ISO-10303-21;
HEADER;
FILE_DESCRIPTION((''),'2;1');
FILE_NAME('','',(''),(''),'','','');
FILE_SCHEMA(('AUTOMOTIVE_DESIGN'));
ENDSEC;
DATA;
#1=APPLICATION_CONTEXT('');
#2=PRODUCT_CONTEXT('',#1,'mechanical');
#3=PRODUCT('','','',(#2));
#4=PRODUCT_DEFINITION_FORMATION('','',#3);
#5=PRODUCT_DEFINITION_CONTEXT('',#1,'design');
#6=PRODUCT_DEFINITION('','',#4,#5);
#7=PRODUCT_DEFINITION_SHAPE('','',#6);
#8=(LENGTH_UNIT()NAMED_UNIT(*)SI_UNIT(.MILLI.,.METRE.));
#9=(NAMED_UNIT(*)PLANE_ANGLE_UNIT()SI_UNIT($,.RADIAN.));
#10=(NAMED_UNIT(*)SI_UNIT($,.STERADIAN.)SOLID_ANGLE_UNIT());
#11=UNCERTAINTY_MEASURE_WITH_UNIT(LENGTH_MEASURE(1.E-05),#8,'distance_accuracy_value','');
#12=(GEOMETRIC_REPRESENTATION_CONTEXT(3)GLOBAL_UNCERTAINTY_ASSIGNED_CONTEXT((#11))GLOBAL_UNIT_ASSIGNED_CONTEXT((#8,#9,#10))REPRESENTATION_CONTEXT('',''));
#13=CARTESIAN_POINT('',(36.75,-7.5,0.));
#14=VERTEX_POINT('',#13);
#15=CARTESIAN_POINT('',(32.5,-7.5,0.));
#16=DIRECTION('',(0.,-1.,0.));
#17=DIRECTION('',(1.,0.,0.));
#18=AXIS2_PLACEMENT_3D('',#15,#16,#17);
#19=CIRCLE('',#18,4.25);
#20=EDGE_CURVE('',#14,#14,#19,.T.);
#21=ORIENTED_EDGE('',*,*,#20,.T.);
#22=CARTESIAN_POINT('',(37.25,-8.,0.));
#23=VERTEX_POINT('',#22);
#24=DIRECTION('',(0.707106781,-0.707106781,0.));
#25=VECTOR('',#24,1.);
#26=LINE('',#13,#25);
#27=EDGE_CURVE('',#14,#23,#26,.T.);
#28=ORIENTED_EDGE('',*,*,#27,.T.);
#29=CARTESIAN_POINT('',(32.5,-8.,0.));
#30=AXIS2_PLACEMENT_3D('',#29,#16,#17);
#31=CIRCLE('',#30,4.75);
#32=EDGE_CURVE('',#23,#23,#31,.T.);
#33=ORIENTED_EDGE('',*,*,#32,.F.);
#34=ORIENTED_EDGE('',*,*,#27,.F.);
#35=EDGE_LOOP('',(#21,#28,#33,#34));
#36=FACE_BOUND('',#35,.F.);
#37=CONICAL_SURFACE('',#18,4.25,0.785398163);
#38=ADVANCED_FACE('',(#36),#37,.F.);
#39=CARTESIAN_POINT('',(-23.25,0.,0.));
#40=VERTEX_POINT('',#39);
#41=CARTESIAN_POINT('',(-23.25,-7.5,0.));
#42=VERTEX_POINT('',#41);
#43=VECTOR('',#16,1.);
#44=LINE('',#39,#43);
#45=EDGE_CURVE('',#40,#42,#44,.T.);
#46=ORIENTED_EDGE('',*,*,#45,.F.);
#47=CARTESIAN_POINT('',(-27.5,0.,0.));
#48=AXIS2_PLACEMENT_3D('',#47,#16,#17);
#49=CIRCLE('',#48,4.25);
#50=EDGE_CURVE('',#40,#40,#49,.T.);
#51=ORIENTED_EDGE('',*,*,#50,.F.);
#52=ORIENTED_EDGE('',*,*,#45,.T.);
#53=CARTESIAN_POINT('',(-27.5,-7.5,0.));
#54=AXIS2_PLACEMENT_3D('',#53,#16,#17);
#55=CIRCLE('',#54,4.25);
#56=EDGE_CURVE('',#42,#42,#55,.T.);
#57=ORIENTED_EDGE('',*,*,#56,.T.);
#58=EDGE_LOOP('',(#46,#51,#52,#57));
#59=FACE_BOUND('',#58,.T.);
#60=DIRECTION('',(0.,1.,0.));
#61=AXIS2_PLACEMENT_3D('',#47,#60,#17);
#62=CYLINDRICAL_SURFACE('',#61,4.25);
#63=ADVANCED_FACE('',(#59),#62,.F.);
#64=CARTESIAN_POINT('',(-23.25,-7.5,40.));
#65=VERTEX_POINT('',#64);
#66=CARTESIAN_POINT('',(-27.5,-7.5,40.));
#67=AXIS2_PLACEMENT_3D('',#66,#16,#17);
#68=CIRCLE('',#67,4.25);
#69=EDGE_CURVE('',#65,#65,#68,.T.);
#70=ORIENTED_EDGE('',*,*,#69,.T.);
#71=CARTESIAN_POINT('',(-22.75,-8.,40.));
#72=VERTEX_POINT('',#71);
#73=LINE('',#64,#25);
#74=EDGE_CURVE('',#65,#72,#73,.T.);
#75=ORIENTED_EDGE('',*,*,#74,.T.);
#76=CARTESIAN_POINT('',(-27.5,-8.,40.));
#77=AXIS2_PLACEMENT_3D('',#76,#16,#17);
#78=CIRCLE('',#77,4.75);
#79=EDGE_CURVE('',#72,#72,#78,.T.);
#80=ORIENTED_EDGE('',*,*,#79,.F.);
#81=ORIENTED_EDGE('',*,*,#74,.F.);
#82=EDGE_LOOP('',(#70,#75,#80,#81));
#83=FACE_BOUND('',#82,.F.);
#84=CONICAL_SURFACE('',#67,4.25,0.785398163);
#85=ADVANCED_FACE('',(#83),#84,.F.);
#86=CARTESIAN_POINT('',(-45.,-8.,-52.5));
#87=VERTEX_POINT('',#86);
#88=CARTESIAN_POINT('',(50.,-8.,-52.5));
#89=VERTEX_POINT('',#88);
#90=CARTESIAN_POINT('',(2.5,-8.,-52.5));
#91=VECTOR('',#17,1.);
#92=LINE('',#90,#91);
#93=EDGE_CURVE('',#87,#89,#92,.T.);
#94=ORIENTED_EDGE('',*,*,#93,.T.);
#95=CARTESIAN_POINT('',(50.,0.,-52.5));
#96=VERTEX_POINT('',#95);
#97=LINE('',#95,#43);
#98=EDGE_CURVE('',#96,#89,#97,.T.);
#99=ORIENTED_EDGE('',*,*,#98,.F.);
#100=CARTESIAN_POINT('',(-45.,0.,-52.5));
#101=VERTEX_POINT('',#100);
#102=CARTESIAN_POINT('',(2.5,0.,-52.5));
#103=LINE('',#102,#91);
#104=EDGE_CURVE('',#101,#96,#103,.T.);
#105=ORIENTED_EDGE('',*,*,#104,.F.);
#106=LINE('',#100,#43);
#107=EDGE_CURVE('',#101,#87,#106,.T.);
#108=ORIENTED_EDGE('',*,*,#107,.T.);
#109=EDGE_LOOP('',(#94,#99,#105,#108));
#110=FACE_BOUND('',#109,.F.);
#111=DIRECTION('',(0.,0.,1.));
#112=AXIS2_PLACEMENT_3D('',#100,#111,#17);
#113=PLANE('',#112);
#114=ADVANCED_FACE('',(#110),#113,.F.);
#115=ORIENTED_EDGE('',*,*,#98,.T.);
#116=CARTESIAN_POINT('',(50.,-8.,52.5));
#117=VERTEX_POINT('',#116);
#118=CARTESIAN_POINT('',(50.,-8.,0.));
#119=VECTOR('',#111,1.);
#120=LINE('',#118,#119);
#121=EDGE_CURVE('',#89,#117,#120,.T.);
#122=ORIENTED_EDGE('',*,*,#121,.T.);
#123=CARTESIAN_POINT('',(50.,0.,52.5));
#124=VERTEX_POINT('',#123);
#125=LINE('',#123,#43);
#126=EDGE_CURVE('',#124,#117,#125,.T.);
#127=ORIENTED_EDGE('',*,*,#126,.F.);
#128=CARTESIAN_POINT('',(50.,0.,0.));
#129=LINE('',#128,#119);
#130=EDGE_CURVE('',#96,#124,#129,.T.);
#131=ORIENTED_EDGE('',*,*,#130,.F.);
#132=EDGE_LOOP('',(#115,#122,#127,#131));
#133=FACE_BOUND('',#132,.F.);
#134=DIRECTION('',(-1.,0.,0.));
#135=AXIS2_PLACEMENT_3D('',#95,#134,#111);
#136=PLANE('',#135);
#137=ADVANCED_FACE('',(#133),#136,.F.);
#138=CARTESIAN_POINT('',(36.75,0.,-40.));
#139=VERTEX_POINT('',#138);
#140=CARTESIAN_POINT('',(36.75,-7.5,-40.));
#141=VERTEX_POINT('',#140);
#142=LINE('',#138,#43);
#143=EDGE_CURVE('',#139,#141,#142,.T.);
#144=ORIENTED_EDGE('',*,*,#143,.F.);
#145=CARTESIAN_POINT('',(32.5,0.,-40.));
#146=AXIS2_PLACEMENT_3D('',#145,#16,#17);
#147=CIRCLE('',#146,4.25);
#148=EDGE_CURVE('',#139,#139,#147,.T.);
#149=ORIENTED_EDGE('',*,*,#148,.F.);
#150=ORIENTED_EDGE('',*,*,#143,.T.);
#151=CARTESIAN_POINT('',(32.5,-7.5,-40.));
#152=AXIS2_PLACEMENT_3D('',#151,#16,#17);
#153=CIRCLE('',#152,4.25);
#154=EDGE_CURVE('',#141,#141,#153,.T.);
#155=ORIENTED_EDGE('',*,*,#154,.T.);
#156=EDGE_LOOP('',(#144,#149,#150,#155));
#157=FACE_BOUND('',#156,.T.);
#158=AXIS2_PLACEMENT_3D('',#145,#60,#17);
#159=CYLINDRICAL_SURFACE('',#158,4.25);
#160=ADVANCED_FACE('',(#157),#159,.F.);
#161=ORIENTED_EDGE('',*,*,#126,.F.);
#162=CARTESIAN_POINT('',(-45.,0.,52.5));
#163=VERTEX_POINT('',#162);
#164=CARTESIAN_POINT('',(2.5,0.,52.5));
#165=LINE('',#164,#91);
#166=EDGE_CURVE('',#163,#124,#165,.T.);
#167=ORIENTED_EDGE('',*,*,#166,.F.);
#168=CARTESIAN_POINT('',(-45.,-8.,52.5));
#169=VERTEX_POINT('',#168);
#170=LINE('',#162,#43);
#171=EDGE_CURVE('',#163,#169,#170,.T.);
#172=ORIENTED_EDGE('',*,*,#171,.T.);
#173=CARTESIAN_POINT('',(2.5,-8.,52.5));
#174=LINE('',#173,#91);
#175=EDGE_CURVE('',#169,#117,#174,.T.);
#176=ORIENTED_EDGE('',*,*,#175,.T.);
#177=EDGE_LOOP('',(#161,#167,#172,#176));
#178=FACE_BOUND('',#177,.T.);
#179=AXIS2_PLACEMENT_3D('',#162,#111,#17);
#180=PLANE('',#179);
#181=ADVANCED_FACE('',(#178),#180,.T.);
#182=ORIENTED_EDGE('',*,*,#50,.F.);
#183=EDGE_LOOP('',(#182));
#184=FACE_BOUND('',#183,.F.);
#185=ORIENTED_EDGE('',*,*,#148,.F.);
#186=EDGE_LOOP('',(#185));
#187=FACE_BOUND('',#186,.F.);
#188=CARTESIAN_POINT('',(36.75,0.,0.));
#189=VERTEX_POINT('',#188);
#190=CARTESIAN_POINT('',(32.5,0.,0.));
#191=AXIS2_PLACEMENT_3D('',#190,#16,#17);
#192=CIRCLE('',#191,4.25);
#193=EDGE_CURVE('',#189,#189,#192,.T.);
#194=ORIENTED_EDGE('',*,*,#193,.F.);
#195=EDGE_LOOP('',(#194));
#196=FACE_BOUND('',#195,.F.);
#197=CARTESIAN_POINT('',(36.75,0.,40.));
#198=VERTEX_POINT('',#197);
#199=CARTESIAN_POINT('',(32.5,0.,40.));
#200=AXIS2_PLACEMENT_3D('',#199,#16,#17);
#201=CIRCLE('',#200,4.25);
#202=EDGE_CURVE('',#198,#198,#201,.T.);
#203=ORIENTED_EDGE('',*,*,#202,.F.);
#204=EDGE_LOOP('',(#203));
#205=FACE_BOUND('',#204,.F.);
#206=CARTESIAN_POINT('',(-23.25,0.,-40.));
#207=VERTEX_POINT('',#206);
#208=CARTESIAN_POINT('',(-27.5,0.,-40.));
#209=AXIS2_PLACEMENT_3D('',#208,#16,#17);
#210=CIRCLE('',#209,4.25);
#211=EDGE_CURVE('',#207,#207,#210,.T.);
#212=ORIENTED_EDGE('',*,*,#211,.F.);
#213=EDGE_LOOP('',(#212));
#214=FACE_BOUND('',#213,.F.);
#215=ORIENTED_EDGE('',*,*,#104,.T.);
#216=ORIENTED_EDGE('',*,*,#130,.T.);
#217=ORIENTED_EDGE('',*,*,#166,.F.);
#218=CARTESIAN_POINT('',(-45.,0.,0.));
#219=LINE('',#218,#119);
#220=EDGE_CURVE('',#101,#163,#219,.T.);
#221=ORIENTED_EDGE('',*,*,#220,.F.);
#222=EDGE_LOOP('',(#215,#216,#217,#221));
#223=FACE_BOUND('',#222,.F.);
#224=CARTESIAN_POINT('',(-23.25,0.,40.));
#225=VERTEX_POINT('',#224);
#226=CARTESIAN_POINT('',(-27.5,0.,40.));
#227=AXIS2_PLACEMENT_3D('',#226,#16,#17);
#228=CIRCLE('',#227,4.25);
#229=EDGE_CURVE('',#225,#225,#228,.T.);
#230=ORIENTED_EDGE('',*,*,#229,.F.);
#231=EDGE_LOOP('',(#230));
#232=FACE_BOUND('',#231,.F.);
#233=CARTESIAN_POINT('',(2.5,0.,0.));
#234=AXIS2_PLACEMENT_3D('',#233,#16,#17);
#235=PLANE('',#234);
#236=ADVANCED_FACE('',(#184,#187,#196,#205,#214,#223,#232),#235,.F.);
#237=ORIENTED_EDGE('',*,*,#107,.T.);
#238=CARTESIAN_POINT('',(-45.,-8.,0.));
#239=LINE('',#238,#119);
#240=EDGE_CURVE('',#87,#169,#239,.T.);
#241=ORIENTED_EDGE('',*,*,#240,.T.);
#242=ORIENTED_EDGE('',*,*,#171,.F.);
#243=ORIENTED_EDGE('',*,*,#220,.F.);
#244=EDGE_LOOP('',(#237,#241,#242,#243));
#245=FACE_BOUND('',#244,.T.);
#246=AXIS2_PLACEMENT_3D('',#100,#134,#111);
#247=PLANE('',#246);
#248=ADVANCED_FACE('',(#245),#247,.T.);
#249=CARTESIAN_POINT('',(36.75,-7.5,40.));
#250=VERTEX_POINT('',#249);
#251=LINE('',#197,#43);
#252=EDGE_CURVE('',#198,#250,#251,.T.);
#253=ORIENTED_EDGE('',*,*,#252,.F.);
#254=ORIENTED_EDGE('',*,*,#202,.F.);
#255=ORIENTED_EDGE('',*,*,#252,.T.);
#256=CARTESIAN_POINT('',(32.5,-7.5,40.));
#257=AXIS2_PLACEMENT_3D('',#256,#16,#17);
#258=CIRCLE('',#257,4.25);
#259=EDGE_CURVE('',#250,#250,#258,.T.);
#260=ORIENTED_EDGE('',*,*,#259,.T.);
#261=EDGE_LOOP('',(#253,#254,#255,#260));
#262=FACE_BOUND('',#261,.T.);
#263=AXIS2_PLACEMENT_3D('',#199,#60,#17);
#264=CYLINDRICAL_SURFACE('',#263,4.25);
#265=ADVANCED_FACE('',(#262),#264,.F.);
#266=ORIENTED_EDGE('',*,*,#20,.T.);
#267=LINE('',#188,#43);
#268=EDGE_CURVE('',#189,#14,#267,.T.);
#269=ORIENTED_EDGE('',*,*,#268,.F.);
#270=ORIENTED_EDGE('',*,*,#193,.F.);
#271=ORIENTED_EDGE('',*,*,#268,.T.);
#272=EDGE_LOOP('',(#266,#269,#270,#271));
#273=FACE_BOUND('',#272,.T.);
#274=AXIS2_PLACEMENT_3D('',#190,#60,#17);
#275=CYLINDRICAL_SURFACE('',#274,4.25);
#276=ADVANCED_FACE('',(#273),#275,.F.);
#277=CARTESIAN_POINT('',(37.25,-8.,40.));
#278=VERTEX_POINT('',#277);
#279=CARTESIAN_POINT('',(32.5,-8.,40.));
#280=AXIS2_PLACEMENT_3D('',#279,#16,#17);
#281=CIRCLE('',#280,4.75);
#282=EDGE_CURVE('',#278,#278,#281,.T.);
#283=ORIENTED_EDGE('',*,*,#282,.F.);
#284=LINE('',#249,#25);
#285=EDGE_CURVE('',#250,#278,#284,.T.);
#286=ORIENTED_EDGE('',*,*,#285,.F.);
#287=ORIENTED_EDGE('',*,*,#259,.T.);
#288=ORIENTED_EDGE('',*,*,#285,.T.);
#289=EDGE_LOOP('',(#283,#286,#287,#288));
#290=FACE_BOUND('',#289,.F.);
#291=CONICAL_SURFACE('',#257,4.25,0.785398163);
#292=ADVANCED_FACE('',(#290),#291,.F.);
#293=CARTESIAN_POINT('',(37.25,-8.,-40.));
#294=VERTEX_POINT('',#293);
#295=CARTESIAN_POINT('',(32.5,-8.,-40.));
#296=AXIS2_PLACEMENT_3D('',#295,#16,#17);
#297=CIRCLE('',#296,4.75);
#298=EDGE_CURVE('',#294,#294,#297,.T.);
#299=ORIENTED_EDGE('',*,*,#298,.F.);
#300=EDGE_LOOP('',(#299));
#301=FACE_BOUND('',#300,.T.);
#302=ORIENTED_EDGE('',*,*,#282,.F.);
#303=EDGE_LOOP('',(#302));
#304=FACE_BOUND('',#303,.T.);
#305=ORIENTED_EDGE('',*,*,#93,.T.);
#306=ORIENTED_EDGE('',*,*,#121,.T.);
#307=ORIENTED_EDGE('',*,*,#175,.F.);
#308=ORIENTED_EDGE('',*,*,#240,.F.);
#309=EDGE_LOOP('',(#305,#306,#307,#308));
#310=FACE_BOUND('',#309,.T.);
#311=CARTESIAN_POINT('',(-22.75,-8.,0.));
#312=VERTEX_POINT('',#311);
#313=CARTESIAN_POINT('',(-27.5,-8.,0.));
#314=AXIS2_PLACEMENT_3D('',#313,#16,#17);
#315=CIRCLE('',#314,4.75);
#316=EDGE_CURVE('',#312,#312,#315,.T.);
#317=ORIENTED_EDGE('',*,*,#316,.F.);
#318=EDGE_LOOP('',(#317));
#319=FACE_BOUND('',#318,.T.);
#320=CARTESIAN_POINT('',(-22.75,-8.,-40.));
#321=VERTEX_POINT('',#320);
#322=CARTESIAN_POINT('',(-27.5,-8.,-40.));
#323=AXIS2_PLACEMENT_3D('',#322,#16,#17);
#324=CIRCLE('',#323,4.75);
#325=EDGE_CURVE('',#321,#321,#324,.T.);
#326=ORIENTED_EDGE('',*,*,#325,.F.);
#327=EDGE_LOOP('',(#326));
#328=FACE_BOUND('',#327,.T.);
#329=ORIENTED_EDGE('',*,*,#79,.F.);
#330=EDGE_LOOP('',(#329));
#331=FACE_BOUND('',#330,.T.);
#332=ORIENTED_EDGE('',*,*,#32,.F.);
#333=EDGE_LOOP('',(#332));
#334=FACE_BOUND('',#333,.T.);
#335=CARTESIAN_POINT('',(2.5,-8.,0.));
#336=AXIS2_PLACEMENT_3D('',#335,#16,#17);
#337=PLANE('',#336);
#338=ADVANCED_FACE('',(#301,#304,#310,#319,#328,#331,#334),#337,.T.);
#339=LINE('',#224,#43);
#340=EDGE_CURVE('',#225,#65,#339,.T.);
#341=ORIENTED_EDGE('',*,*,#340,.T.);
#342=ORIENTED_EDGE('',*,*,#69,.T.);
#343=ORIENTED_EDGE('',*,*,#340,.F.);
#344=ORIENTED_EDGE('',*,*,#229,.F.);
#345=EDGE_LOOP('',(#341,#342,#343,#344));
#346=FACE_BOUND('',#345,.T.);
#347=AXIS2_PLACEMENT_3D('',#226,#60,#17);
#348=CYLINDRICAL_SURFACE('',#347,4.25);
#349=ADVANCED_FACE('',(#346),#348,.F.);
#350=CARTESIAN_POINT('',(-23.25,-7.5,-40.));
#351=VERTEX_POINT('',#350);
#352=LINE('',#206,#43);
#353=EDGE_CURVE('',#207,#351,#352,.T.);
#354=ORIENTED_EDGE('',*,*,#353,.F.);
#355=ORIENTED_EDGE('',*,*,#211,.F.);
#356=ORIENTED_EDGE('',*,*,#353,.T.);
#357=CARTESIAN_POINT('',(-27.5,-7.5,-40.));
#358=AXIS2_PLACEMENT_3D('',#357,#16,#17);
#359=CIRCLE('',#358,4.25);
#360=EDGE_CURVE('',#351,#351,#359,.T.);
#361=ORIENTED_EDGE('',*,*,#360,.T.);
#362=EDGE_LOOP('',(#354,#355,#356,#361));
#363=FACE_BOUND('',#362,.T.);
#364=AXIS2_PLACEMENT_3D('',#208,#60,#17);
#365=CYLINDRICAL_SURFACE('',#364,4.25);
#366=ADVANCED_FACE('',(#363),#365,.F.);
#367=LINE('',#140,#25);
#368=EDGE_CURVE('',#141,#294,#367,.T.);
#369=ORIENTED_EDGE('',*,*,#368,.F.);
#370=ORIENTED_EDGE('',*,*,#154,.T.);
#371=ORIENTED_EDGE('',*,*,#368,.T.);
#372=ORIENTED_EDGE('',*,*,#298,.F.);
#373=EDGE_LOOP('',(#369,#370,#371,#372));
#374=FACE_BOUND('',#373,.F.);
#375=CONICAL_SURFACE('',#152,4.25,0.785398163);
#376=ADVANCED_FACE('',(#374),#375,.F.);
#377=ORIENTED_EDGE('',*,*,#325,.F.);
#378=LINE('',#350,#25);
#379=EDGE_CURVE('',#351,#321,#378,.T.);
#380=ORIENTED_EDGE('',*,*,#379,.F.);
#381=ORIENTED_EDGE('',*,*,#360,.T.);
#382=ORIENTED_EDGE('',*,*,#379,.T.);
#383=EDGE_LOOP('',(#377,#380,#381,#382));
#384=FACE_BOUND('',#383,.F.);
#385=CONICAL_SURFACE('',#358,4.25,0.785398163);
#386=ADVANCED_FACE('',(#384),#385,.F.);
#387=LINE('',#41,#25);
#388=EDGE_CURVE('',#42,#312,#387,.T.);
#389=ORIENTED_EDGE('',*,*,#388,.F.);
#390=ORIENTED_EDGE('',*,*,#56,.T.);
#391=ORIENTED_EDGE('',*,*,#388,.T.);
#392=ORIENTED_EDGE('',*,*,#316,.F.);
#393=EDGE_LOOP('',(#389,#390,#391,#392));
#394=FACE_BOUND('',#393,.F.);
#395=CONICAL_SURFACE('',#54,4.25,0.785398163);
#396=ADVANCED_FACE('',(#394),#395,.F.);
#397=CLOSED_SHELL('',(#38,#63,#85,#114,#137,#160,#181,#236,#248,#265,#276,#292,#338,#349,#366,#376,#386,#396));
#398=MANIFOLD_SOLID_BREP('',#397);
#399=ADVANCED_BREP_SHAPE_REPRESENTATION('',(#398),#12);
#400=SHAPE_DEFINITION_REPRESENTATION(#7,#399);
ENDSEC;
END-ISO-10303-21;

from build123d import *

# Parameters (mm, degrees)
F0_W     = 95
F0_H     = 105
F0_R     = 4.25
F1_DEPTH = 8
F2_SIZE  = 0.5


with BuildPart() as f1:
    # F0 (on Front) → F1 (new body)
    with BuildSketch(Plane.XZ):
        with Locations((2.5, 0)):
            Rectangle(F0_W, F0_H)
        with Locations((-27.5, -40)):
            Circle(F0_R, mode=Mode.SUBTRACT)
        with Locations((32.5, -40)):
            Circle(F0_R, mode=Mode.SUBTRACT)
        with Locations((-27.5, 0)):
            Circle(F0_R, mode=Mode.SUBTRACT)
        with Locations((-27.5, 40)):
            Circle(F0_R, mode=Mode.SUBTRACT)
        with Locations((32.5, 0)):
            Circle(F0_R, mode=Mode.SUBTRACT)
        with Locations((32.5, 40)):
            Circle(F0_R, mode=Mode.SUBTRACT)
    extrude(amount=F1_DEPTH)

    # F2
    f2_edges = [f1.edges().sort_by_distance(p)[0] for p in [
        (-31.75, -8, 40),
        (28.25, -8, 40),
        (28.25, -8, -40),
        (-31.75, -8, -40),
        (-31.75, -8, 0),
        (28.25, -8, 0),
    ]]
    chamfer(f2_edges, length=F2_SIZE)


solid = f1.part
